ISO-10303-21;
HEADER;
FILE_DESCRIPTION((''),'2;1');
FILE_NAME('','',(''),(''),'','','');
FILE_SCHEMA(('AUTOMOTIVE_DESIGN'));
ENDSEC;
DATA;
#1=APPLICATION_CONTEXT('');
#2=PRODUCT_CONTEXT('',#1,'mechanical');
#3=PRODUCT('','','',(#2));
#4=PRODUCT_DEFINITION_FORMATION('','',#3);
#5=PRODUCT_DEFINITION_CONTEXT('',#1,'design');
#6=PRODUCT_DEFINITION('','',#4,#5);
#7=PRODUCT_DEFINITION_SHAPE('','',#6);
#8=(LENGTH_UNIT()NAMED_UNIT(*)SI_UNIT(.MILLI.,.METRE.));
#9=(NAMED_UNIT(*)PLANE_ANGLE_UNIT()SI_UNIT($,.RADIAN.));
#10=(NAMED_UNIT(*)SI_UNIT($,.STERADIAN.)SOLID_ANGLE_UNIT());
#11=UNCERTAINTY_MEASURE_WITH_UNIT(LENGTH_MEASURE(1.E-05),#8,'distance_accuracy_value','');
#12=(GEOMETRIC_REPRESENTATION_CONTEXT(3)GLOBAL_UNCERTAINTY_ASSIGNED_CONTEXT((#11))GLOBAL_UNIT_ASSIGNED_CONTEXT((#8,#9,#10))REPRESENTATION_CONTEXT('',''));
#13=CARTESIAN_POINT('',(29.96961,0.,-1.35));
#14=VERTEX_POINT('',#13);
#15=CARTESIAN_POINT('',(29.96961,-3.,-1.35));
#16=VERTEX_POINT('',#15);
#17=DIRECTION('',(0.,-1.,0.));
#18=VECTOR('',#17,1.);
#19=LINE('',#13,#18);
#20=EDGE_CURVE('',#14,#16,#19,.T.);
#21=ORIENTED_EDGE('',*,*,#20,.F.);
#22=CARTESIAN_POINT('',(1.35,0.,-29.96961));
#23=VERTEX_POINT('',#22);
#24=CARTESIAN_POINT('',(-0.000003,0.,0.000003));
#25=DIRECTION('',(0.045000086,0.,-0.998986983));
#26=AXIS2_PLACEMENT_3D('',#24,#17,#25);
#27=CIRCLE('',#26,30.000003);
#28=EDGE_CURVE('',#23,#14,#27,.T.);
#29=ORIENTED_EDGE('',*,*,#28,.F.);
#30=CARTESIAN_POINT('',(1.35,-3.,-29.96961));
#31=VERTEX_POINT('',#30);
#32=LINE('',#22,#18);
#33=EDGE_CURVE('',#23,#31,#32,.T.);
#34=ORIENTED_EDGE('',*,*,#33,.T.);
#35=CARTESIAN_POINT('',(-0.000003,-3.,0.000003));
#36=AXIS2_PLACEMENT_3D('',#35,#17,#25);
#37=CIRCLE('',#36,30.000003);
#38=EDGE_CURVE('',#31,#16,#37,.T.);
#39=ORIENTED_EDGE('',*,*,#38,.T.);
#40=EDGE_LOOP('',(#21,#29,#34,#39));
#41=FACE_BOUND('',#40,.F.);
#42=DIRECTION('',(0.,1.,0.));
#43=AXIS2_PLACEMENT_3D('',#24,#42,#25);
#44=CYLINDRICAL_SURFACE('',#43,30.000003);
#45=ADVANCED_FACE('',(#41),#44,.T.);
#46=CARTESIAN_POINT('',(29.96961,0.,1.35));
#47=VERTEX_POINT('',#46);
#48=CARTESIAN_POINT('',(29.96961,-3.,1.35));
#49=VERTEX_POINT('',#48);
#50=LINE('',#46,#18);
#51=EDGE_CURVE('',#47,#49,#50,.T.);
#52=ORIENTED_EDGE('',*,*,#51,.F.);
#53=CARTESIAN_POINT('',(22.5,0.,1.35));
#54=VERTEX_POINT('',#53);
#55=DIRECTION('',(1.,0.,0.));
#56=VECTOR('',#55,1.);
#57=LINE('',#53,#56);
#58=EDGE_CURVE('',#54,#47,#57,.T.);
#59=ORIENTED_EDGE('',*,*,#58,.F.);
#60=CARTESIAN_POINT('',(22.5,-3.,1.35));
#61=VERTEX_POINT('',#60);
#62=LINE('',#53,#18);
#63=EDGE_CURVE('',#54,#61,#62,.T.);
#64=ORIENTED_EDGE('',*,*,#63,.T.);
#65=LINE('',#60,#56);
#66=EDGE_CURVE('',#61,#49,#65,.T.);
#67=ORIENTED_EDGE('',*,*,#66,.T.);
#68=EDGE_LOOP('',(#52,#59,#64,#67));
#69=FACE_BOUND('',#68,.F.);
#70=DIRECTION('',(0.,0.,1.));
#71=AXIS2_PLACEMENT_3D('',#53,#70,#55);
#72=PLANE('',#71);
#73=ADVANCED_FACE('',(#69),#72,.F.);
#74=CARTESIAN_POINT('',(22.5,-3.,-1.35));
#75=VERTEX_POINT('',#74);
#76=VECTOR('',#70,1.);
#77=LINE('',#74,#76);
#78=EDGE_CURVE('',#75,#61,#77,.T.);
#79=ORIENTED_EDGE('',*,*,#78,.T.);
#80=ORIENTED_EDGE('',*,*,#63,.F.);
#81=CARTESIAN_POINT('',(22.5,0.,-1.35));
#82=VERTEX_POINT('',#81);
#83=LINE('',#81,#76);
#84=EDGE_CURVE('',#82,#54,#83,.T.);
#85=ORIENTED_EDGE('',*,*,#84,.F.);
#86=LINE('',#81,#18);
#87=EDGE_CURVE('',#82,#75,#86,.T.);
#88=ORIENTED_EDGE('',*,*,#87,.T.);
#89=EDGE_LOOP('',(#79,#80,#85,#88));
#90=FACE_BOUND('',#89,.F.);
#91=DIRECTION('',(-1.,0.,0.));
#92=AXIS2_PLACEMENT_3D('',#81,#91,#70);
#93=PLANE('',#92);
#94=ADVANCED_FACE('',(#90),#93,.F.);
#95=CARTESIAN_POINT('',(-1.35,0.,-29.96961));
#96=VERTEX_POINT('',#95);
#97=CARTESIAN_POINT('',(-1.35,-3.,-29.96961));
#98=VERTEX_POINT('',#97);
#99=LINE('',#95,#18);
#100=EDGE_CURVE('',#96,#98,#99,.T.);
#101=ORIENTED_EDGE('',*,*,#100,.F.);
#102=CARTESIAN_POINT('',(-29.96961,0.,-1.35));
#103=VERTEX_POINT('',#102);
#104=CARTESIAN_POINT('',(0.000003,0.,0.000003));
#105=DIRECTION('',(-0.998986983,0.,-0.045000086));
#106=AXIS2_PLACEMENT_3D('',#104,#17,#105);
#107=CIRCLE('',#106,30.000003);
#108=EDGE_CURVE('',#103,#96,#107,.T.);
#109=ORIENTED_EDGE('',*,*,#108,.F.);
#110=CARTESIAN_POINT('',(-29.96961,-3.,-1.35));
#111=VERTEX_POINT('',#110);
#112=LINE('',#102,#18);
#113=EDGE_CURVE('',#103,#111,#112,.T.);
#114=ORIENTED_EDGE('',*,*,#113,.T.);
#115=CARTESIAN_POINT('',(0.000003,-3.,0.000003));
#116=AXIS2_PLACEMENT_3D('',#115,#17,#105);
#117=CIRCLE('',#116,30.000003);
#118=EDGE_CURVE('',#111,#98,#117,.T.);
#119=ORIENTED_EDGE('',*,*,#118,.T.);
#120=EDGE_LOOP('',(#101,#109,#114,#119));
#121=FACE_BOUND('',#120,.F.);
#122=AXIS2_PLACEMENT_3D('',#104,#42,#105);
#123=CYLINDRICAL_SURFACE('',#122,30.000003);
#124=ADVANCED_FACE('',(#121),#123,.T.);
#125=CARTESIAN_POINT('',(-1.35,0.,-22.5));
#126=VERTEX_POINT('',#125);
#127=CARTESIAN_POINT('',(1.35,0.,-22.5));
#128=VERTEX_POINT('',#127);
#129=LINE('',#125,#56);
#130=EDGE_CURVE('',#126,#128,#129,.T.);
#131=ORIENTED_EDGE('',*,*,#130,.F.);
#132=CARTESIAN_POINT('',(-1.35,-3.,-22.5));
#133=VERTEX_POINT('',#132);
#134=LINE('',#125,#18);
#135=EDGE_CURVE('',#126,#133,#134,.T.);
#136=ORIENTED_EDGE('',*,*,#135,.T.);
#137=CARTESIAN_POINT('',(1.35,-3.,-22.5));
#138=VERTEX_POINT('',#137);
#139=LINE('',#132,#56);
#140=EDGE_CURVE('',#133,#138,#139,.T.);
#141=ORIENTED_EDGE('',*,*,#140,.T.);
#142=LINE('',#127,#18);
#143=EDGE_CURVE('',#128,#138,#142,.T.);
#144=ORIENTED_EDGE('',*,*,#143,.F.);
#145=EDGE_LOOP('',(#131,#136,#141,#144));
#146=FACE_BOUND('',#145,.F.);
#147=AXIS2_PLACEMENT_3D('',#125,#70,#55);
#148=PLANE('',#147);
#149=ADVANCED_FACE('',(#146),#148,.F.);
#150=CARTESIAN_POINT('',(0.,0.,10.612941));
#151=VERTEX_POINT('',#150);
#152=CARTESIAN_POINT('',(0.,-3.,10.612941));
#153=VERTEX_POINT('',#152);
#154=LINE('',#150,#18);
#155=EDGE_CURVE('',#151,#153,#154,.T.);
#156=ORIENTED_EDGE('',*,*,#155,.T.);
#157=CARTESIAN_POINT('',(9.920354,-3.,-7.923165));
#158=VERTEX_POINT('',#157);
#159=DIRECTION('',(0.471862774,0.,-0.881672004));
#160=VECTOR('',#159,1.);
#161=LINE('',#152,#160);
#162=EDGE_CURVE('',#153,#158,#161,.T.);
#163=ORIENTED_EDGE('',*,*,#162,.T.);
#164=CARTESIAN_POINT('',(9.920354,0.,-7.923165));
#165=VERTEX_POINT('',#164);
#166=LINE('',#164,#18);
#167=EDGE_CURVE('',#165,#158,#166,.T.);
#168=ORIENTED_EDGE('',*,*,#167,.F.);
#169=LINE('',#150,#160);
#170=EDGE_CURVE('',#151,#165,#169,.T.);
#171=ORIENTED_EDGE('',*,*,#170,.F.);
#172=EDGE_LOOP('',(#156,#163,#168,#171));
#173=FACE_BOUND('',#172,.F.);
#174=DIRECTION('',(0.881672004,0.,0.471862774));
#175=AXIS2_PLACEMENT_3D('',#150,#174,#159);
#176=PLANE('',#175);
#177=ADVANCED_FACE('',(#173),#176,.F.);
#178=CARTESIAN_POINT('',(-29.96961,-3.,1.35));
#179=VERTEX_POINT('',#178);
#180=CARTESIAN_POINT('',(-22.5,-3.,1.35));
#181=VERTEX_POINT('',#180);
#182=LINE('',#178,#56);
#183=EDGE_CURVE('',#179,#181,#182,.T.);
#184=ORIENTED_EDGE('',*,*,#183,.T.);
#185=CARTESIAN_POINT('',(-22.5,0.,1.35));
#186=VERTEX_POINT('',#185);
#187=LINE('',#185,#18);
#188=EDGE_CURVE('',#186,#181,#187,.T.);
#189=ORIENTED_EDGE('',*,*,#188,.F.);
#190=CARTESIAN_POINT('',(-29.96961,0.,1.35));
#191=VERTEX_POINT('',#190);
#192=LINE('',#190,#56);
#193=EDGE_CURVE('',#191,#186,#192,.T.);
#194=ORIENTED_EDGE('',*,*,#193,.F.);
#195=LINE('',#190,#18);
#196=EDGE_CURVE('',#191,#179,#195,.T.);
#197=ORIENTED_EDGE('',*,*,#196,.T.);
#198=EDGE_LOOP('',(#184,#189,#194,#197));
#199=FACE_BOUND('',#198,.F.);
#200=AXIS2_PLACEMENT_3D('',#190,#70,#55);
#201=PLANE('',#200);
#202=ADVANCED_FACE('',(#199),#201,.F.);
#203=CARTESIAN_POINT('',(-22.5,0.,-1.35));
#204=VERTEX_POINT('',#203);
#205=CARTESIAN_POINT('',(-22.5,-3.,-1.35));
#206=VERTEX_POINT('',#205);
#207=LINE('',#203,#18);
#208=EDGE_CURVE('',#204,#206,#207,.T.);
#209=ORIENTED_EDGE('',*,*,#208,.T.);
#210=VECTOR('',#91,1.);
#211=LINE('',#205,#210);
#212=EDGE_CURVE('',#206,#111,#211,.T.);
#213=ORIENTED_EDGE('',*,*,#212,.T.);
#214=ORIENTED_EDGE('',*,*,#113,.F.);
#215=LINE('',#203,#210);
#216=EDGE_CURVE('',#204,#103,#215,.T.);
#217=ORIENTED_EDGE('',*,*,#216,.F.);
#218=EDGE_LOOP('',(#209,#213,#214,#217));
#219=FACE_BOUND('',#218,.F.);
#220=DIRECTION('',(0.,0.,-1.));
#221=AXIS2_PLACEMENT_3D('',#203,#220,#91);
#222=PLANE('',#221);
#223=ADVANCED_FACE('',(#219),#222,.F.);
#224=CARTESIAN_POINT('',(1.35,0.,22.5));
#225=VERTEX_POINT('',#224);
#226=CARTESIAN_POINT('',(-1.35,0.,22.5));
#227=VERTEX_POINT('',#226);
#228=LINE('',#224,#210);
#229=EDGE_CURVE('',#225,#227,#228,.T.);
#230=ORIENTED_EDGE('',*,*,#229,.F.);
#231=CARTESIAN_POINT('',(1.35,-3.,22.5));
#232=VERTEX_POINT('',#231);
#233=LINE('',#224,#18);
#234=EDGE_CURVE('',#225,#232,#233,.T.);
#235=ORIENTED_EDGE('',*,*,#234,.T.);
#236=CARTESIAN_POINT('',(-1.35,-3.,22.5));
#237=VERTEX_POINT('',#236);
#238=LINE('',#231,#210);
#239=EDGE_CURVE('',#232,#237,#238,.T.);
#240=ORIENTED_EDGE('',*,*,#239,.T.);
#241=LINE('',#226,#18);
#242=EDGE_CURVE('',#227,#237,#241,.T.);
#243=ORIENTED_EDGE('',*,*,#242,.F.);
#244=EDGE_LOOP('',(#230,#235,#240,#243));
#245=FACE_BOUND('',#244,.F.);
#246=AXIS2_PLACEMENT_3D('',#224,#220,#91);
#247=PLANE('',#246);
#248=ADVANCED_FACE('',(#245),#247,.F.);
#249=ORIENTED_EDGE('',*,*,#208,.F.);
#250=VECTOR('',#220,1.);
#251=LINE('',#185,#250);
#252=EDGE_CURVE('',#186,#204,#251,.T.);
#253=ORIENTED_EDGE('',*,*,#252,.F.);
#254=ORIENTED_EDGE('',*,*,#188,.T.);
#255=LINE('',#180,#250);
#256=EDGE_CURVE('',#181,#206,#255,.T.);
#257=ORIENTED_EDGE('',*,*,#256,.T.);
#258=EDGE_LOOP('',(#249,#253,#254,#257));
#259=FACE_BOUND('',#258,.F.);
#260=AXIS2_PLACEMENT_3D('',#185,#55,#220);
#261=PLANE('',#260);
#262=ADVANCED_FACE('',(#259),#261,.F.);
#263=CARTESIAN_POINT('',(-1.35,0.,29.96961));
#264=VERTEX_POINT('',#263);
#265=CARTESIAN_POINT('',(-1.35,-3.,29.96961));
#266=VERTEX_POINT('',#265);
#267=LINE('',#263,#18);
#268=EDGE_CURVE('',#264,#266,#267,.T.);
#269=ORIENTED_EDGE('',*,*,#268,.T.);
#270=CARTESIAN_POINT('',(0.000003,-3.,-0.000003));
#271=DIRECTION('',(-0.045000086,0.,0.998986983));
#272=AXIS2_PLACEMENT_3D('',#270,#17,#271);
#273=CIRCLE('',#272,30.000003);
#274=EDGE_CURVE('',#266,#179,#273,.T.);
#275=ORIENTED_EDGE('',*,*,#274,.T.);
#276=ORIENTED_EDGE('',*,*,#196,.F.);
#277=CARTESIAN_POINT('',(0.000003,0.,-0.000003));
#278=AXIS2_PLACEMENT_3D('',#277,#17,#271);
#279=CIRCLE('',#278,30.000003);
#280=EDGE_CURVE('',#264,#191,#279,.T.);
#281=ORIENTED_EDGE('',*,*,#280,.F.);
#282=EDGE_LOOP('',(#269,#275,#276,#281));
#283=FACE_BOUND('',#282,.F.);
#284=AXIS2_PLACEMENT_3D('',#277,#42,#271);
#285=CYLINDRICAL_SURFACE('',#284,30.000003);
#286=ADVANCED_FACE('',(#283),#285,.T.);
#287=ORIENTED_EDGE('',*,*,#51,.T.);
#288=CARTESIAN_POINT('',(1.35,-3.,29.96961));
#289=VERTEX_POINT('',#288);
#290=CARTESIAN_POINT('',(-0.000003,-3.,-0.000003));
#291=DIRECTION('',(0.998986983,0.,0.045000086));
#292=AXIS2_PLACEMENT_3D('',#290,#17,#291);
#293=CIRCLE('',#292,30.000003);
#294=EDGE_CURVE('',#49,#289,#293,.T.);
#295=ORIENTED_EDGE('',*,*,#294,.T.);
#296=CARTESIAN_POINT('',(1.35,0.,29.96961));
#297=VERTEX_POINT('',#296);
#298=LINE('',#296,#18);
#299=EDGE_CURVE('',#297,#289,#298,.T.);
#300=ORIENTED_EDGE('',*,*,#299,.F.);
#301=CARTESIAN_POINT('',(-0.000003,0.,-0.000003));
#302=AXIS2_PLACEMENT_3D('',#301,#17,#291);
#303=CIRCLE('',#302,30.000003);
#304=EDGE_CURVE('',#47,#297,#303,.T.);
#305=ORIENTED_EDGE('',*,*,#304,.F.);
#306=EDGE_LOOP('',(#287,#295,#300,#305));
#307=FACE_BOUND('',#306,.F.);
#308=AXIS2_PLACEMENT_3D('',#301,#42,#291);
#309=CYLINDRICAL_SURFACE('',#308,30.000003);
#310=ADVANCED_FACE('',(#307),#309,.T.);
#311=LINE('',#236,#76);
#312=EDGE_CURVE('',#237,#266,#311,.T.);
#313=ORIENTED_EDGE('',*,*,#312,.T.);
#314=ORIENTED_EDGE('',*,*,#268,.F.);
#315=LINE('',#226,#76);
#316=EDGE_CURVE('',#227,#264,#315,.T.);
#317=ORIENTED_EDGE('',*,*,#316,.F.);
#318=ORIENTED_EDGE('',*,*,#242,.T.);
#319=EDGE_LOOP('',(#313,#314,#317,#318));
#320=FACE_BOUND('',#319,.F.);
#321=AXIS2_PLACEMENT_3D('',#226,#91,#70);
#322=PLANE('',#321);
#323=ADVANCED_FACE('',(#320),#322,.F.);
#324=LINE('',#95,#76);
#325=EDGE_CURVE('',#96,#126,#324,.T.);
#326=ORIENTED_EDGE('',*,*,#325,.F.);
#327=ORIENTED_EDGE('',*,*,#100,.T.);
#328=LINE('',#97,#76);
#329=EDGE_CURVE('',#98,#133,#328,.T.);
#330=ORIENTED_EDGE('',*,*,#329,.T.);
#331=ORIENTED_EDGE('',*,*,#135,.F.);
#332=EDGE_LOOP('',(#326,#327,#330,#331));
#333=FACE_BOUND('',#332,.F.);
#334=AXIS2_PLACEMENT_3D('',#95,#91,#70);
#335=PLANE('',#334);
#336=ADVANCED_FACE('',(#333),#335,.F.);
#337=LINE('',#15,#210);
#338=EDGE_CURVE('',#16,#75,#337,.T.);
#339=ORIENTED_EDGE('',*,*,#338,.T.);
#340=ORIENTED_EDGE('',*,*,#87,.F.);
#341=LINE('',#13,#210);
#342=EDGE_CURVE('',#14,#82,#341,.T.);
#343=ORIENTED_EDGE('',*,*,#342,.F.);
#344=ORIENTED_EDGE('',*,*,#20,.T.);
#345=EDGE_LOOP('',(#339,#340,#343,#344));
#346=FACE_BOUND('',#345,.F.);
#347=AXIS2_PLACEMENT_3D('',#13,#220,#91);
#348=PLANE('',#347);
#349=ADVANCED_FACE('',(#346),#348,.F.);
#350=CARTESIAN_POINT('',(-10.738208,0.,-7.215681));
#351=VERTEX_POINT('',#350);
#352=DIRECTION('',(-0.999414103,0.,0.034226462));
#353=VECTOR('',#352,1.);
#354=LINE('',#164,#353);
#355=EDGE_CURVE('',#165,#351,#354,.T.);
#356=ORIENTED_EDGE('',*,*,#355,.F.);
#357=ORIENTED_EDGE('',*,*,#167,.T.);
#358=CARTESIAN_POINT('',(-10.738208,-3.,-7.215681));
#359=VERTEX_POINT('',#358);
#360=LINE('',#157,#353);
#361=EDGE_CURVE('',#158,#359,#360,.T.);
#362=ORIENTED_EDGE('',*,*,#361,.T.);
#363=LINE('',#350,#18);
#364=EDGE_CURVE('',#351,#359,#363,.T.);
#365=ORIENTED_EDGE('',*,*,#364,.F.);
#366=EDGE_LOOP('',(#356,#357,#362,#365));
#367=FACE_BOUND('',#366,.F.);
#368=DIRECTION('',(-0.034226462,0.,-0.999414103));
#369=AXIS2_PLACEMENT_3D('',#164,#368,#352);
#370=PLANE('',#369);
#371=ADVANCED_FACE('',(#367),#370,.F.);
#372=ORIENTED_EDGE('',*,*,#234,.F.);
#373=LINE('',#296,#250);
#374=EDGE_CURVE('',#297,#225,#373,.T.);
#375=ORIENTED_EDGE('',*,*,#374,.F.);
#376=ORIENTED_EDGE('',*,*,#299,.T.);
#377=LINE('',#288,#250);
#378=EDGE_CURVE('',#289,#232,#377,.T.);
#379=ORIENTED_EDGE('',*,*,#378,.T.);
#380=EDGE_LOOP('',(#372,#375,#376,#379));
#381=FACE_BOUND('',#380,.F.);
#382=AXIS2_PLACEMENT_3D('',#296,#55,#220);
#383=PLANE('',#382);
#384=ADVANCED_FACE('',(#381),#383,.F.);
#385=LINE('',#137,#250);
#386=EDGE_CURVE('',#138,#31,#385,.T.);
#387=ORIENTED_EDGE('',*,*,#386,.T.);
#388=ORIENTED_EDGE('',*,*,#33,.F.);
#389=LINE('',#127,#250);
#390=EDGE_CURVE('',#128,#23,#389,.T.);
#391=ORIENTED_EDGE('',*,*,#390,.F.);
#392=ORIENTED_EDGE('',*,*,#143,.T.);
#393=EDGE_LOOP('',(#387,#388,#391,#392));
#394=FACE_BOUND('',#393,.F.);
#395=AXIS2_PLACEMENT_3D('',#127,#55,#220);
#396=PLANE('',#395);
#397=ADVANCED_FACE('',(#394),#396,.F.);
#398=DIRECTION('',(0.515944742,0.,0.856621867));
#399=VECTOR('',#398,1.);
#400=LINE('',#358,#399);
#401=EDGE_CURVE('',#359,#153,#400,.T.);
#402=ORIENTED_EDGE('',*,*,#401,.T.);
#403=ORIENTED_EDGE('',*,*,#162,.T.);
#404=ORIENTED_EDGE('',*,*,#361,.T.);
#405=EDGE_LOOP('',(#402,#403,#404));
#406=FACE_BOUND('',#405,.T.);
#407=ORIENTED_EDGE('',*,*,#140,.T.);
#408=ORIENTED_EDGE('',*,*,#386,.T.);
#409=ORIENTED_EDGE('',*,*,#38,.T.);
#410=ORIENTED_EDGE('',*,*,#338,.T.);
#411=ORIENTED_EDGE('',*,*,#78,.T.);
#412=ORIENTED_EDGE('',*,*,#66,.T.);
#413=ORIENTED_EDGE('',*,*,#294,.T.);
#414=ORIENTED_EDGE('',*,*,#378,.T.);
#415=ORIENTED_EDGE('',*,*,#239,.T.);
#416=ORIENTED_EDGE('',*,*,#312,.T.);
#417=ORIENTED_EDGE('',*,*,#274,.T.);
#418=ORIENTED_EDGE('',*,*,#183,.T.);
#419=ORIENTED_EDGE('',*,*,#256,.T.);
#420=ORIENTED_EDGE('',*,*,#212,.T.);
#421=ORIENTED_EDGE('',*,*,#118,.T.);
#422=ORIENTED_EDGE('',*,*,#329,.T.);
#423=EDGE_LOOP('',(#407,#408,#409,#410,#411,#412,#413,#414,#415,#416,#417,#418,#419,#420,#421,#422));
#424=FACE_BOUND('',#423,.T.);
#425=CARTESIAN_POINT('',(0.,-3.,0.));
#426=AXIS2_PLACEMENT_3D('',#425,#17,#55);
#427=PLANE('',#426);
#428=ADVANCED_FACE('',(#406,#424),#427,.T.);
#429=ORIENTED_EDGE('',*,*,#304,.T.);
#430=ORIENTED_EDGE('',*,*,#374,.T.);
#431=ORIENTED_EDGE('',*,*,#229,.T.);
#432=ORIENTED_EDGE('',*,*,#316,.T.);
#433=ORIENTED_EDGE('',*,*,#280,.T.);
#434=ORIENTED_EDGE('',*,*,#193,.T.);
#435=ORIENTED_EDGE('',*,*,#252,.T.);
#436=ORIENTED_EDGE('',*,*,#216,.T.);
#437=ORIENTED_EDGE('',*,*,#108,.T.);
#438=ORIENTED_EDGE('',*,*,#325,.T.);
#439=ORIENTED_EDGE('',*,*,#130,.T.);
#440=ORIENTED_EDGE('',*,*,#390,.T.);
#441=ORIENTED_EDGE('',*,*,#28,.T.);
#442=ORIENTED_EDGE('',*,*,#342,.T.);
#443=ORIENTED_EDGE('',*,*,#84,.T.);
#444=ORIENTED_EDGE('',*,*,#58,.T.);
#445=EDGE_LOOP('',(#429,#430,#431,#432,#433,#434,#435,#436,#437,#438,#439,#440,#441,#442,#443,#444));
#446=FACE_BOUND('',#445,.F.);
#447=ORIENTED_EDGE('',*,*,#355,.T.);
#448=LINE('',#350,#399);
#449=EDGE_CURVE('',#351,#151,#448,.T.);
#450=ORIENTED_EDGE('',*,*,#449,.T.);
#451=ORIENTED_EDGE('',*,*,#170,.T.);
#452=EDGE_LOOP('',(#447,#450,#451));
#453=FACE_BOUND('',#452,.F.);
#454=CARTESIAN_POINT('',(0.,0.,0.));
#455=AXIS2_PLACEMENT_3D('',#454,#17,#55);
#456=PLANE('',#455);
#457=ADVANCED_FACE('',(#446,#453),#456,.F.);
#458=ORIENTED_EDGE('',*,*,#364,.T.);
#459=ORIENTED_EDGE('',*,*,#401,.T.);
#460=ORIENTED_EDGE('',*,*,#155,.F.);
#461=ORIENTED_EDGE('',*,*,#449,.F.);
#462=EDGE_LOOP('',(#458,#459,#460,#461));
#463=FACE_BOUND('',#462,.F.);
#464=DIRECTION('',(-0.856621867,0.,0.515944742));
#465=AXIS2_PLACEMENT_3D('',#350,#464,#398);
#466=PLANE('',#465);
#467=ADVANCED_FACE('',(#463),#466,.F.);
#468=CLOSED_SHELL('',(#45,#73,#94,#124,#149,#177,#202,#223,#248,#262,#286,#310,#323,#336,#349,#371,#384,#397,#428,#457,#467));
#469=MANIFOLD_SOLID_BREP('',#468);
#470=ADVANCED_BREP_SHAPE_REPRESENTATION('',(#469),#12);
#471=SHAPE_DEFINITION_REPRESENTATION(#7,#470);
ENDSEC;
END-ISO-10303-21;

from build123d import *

# Parameters (mm, degrees)
F1_DEPTH = 3


with BuildPart() as f1:
    # F0 (on Front) → F1 (new body)
    with BuildSketch(Plane.XZ):
        with BuildLine():
            Line((-1.35, 22.5), (-1.35, 29.96961))
            ThreePointArc((-1.35, 29.96961), (-21.213203, 21.213203), (-29.96961, 1.35))
            Line((-29.96961, 1.35), (-22.5, 1.35))
            Line((-22.5, 1.35), (-22.5, -1.35))
            Line((-22.5, -1.35), (-29.96961, -1.35))
            ThreePointArc((-29.96961, -1.35), (-21.213203, -21.213203), (-1.35, -29.96961))
            Line((-1.35, -29.96961), (-1.35, -22.5))
            Line((-1.35, -22.5), (1.35, -22.5))
            Line((1.35, -22.5), (1.35, -29.96961))
            ThreePointArc((1.35, -29.96961), (21.213203, -21.213203), (29.96961, -1.35))
            Line((29.96961, -1.35), (22.5, -1.35))
            Line((22.5, -1.35), (22.5, 1.35))
            Line((22.5, 1.35), (29.96961, 1.35))
            ThreePointArc((29.96961, 1.35), (21.213203, 21.213203), (1.35, 29.96961))
            Line((1.35, 29.96961), (1.35, 22.5))
            Line((1.35, 22.5), (-1.35, 22.5))
        make_face()
        Polygon((9.920354, -7.923165), (-10.738208, -7.215681), (0, 10.612941), align=None, mode=Mode.SUBTRACT)
    extrude(amount=F1_DEPTH)


solid = f1.part
